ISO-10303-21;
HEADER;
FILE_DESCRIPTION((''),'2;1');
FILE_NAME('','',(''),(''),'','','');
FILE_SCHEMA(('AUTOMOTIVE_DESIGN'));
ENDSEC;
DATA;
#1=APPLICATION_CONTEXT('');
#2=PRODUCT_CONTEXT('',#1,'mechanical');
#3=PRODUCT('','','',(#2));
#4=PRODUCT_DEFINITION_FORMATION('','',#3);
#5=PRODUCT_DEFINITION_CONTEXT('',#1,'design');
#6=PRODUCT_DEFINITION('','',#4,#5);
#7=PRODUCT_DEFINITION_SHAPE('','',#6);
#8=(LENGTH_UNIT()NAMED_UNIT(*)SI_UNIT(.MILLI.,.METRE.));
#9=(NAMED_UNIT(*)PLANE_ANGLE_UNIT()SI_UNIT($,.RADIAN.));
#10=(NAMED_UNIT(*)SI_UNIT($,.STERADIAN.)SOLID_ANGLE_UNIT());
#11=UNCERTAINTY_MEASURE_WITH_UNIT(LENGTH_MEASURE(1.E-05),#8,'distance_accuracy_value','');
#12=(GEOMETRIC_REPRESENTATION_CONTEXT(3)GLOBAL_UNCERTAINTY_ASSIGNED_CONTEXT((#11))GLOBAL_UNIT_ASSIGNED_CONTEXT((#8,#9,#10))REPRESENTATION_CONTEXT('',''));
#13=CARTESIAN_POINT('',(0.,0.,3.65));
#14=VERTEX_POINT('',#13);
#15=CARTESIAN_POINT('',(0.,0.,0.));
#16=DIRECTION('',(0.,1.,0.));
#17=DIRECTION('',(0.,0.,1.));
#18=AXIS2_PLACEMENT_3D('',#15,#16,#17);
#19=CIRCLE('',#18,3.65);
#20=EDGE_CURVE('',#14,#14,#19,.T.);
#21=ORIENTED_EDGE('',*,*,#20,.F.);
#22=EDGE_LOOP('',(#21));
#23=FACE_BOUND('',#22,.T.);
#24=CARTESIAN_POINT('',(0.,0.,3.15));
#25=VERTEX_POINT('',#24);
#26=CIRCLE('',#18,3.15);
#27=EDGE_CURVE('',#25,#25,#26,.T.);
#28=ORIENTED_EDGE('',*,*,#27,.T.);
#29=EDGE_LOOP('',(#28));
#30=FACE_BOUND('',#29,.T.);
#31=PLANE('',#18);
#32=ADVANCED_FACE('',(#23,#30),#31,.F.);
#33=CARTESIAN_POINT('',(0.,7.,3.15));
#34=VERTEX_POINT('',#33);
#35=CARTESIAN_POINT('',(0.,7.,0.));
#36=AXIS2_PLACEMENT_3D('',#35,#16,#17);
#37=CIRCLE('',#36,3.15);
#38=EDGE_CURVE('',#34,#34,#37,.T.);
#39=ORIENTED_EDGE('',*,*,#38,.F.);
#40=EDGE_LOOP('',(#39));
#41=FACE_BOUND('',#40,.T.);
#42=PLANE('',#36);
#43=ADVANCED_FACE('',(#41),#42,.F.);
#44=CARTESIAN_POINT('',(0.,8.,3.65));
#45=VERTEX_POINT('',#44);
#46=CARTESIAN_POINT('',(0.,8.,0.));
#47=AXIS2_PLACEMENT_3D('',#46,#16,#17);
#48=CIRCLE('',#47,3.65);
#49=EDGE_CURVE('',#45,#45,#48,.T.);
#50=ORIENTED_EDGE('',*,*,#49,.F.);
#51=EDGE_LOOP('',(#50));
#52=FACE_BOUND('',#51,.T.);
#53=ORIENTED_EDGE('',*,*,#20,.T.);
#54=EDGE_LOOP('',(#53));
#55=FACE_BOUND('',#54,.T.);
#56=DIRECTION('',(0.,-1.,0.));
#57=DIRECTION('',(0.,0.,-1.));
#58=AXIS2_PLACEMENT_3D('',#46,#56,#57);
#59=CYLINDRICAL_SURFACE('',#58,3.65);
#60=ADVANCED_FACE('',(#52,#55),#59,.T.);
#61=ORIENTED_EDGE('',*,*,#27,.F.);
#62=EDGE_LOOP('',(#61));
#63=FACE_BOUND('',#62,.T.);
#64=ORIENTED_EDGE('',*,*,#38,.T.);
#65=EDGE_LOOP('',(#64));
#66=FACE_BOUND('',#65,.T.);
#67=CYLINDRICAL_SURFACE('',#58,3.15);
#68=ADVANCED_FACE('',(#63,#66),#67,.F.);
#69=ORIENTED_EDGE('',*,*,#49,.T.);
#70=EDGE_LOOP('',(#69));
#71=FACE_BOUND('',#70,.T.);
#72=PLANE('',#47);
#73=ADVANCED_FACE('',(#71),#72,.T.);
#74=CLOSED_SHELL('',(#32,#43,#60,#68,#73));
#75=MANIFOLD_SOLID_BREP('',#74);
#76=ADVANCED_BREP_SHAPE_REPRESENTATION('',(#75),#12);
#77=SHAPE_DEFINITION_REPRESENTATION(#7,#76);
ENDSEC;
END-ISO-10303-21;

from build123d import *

# Parameters (mm, degrees)
SKETCH1_R           = 3.65
SKETCH1_R_2         = 3.15
BOSS_EXTRUDE1_DEPTH = 8
SKETCH2_R           = 3.518874361
BOSS_EXTRUDE2_DEPTH = 1


with BuildPart() as part:
    # Sketch1 → Boss-Extrude1 (new body)
    with BuildSketch(Plane(origin=(0, 0, 0), x_dir=(1, 0, 0), z_dir=(0, 1, 0))):
        with Locations(Location((0, 0, 0), (0, 0, 270))):
            Circle(SKETCH1_R)
        with Locations(Location((0, 0, 0), (0, 0, 270))):
            Circle(SKETCH1_R_2, mode=Mode.SUBTRACT)
    extrude(amount=BOSS_EXTRUDE1_DEPTH)

    # Sketch2 → Boss-Extrude2 (add)
    with BuildSketch(Plane(origin=(0, 8, 0), x_dir=(1, 0, 0), z_dir=(0, 1, 0))):
        Circle(SKETCH2_R)
    extrude(amount=-BOSS_EXTRUDE2_DEPTH)


solid = part.part
